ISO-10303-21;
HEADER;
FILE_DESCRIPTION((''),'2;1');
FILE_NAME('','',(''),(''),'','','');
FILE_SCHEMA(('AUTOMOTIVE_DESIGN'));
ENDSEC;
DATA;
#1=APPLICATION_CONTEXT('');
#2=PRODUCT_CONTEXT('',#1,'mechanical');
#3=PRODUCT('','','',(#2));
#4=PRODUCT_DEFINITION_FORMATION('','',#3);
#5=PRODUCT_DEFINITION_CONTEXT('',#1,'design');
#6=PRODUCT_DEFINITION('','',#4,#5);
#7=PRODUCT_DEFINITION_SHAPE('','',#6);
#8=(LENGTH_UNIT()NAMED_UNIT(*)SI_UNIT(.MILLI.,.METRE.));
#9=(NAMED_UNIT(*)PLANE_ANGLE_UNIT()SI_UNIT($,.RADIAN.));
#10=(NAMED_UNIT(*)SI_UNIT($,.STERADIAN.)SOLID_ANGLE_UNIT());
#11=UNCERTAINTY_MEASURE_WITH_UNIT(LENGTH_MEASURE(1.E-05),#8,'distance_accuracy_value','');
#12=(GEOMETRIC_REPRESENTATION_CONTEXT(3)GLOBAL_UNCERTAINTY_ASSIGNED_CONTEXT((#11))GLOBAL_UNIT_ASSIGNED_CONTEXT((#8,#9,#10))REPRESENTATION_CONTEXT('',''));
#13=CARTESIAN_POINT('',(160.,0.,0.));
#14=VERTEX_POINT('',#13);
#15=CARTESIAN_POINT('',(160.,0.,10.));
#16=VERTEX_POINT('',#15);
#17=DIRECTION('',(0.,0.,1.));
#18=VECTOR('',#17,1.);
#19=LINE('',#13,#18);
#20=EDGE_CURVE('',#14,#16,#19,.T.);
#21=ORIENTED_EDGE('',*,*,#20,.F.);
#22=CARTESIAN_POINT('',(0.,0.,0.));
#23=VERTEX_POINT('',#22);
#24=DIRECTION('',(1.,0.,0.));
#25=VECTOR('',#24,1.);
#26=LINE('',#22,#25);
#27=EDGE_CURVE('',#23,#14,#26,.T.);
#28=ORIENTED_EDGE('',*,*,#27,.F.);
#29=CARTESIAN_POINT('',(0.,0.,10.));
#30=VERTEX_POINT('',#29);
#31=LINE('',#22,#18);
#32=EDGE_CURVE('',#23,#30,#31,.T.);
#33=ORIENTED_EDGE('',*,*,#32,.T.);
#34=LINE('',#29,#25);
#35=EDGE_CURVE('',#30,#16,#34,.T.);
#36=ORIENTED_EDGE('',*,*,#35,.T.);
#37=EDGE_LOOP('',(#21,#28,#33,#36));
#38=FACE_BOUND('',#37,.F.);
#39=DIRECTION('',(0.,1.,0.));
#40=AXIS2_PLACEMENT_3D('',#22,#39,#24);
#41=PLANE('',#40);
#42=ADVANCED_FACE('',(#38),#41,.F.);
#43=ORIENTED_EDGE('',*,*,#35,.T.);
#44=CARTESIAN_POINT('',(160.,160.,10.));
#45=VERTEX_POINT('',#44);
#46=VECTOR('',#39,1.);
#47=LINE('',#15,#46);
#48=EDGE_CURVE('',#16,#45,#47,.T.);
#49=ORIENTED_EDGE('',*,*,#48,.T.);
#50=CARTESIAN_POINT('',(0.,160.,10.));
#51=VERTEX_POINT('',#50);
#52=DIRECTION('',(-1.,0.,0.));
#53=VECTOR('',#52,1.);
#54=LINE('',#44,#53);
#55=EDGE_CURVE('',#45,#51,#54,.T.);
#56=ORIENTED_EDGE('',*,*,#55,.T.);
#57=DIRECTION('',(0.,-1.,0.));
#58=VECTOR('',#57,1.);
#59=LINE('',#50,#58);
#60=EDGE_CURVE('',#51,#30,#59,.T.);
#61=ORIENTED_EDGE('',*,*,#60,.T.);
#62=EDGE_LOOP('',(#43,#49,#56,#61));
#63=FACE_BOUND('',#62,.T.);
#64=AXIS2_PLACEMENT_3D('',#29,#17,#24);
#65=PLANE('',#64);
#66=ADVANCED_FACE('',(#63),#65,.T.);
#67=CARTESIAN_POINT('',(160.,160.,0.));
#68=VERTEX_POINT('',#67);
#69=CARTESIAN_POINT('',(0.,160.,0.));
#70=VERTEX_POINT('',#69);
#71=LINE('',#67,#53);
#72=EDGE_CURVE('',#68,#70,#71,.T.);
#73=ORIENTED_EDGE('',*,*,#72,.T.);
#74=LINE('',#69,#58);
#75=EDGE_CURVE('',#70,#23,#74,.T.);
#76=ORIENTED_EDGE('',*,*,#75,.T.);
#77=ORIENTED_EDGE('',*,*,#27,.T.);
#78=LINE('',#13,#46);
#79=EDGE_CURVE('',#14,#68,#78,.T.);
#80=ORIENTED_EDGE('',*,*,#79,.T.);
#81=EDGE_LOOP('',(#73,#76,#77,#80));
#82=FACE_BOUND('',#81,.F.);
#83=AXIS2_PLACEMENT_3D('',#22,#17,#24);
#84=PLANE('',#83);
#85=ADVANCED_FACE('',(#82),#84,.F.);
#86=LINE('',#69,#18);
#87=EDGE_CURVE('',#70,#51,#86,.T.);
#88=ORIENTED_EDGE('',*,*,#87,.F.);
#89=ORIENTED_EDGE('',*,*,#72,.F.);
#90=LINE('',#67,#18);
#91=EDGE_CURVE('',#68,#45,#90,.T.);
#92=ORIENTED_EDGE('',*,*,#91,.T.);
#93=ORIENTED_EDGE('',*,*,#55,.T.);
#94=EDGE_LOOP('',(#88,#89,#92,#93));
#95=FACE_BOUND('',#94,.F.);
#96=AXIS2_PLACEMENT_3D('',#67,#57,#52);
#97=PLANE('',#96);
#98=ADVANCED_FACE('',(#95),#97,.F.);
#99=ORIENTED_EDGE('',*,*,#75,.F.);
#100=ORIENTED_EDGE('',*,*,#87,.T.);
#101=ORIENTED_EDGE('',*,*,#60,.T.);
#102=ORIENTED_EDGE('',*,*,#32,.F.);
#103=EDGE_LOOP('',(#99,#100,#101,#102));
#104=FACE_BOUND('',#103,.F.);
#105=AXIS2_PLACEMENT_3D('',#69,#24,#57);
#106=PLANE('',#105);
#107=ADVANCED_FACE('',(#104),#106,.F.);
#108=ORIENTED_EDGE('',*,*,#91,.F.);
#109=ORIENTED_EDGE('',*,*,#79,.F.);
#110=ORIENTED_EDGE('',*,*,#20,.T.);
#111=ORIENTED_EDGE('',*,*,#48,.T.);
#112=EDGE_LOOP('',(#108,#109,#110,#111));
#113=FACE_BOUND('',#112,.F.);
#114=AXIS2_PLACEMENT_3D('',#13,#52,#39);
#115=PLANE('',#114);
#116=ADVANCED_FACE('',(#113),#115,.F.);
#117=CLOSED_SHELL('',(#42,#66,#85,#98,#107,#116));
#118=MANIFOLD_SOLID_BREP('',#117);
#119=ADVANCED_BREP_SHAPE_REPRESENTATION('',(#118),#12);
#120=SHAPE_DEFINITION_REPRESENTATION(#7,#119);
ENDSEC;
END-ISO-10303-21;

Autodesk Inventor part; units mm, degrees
ref_plane "YZ Plane" through (0, 0, 0) normal (1, 0, 0) x (0, 1, 0)
ref_plane "XZ Plane" through (0, 0, 0) normal (0, 1, 0) x (-1, 0, 0)
ref_plane "XY Plane" through (0, 0, 0) normal (0, 0, 1) x (1, 0, 0)
sketch "Sketch1" plane through (0, 0, 0) normal (0, 0, 1) x (1, 0, 0)
  line L0 (0, 0) -> (160, 0)
  line L1 (160, 0) -> (160, 160)
  line L2 (160, 160) -> (0, 160)
  line L3 (0, 160) -> (0, 0)
  dimension "d0" = 160
  dimension "d1" = 160
extrude "Extrusion1" add sketch "Sketch1" along normal blind 10
sketch "Sketch2" plane through (0, 0, 10) normal (0, 0, 1) x (1, 0, 0)
  line L0 (0, 160) -> (0, 0) projected
  line L1 (0, 160) -> (10, 160)
  line L2 (160, 160) -> (0, 160) projected
  line L3 (10, 160) -> (10, 0)
  dimension "d4" = 10
sketch "Sketch3" plane through (0, 0, 10) normal (0, 0, 1) x (1, 0, 0)
  line L0 (0, 160) -> (0, 0) projected
  line L1 (0, 0) -> (0, 80)
  line L2 (0, 80) -> (159.9334, 80)
  line L3 (0, 0) -> (160, 0) projected
  line L4 (160, 0) -> (150, 0)
  line L5 (150, 0) -> (150, 160)
  line L6 (0, 160) -> (6, 160)
  line L7 (160, 0) -> (160, 160) projected
  line L8 (160, 160) -> (150, 160)
  line L9 (150, 160) -> (150, 150)
  line L10 (150, 150) -> (10, 150)
  line L11 (10, 150) -> (10, 10)
  line L12 (10, 10) -> (150, 10)
  circle A0 centre (10, 150) radius 5
  circle A1 centre (150, 150) radius 5
  circle A2 centre (10, 10) radius 5
  circle A3 centre (150, 10) radius 5
  dimension "d5" = 80
  dimension "d6" = 10
  dimension "d11" = 10
  dimension "d12" = 10
  dimension "d13" = 140
  dimension "d14" = 140
  dimension "d15" = 140
  dimension "d16" = 10
  dimension "d17" = 10
  dimension "d18" = 10
  dimension "d19" = 10
extrude "Extrusion2" [suppressed]
properties part number "upper part of cappinng system"
